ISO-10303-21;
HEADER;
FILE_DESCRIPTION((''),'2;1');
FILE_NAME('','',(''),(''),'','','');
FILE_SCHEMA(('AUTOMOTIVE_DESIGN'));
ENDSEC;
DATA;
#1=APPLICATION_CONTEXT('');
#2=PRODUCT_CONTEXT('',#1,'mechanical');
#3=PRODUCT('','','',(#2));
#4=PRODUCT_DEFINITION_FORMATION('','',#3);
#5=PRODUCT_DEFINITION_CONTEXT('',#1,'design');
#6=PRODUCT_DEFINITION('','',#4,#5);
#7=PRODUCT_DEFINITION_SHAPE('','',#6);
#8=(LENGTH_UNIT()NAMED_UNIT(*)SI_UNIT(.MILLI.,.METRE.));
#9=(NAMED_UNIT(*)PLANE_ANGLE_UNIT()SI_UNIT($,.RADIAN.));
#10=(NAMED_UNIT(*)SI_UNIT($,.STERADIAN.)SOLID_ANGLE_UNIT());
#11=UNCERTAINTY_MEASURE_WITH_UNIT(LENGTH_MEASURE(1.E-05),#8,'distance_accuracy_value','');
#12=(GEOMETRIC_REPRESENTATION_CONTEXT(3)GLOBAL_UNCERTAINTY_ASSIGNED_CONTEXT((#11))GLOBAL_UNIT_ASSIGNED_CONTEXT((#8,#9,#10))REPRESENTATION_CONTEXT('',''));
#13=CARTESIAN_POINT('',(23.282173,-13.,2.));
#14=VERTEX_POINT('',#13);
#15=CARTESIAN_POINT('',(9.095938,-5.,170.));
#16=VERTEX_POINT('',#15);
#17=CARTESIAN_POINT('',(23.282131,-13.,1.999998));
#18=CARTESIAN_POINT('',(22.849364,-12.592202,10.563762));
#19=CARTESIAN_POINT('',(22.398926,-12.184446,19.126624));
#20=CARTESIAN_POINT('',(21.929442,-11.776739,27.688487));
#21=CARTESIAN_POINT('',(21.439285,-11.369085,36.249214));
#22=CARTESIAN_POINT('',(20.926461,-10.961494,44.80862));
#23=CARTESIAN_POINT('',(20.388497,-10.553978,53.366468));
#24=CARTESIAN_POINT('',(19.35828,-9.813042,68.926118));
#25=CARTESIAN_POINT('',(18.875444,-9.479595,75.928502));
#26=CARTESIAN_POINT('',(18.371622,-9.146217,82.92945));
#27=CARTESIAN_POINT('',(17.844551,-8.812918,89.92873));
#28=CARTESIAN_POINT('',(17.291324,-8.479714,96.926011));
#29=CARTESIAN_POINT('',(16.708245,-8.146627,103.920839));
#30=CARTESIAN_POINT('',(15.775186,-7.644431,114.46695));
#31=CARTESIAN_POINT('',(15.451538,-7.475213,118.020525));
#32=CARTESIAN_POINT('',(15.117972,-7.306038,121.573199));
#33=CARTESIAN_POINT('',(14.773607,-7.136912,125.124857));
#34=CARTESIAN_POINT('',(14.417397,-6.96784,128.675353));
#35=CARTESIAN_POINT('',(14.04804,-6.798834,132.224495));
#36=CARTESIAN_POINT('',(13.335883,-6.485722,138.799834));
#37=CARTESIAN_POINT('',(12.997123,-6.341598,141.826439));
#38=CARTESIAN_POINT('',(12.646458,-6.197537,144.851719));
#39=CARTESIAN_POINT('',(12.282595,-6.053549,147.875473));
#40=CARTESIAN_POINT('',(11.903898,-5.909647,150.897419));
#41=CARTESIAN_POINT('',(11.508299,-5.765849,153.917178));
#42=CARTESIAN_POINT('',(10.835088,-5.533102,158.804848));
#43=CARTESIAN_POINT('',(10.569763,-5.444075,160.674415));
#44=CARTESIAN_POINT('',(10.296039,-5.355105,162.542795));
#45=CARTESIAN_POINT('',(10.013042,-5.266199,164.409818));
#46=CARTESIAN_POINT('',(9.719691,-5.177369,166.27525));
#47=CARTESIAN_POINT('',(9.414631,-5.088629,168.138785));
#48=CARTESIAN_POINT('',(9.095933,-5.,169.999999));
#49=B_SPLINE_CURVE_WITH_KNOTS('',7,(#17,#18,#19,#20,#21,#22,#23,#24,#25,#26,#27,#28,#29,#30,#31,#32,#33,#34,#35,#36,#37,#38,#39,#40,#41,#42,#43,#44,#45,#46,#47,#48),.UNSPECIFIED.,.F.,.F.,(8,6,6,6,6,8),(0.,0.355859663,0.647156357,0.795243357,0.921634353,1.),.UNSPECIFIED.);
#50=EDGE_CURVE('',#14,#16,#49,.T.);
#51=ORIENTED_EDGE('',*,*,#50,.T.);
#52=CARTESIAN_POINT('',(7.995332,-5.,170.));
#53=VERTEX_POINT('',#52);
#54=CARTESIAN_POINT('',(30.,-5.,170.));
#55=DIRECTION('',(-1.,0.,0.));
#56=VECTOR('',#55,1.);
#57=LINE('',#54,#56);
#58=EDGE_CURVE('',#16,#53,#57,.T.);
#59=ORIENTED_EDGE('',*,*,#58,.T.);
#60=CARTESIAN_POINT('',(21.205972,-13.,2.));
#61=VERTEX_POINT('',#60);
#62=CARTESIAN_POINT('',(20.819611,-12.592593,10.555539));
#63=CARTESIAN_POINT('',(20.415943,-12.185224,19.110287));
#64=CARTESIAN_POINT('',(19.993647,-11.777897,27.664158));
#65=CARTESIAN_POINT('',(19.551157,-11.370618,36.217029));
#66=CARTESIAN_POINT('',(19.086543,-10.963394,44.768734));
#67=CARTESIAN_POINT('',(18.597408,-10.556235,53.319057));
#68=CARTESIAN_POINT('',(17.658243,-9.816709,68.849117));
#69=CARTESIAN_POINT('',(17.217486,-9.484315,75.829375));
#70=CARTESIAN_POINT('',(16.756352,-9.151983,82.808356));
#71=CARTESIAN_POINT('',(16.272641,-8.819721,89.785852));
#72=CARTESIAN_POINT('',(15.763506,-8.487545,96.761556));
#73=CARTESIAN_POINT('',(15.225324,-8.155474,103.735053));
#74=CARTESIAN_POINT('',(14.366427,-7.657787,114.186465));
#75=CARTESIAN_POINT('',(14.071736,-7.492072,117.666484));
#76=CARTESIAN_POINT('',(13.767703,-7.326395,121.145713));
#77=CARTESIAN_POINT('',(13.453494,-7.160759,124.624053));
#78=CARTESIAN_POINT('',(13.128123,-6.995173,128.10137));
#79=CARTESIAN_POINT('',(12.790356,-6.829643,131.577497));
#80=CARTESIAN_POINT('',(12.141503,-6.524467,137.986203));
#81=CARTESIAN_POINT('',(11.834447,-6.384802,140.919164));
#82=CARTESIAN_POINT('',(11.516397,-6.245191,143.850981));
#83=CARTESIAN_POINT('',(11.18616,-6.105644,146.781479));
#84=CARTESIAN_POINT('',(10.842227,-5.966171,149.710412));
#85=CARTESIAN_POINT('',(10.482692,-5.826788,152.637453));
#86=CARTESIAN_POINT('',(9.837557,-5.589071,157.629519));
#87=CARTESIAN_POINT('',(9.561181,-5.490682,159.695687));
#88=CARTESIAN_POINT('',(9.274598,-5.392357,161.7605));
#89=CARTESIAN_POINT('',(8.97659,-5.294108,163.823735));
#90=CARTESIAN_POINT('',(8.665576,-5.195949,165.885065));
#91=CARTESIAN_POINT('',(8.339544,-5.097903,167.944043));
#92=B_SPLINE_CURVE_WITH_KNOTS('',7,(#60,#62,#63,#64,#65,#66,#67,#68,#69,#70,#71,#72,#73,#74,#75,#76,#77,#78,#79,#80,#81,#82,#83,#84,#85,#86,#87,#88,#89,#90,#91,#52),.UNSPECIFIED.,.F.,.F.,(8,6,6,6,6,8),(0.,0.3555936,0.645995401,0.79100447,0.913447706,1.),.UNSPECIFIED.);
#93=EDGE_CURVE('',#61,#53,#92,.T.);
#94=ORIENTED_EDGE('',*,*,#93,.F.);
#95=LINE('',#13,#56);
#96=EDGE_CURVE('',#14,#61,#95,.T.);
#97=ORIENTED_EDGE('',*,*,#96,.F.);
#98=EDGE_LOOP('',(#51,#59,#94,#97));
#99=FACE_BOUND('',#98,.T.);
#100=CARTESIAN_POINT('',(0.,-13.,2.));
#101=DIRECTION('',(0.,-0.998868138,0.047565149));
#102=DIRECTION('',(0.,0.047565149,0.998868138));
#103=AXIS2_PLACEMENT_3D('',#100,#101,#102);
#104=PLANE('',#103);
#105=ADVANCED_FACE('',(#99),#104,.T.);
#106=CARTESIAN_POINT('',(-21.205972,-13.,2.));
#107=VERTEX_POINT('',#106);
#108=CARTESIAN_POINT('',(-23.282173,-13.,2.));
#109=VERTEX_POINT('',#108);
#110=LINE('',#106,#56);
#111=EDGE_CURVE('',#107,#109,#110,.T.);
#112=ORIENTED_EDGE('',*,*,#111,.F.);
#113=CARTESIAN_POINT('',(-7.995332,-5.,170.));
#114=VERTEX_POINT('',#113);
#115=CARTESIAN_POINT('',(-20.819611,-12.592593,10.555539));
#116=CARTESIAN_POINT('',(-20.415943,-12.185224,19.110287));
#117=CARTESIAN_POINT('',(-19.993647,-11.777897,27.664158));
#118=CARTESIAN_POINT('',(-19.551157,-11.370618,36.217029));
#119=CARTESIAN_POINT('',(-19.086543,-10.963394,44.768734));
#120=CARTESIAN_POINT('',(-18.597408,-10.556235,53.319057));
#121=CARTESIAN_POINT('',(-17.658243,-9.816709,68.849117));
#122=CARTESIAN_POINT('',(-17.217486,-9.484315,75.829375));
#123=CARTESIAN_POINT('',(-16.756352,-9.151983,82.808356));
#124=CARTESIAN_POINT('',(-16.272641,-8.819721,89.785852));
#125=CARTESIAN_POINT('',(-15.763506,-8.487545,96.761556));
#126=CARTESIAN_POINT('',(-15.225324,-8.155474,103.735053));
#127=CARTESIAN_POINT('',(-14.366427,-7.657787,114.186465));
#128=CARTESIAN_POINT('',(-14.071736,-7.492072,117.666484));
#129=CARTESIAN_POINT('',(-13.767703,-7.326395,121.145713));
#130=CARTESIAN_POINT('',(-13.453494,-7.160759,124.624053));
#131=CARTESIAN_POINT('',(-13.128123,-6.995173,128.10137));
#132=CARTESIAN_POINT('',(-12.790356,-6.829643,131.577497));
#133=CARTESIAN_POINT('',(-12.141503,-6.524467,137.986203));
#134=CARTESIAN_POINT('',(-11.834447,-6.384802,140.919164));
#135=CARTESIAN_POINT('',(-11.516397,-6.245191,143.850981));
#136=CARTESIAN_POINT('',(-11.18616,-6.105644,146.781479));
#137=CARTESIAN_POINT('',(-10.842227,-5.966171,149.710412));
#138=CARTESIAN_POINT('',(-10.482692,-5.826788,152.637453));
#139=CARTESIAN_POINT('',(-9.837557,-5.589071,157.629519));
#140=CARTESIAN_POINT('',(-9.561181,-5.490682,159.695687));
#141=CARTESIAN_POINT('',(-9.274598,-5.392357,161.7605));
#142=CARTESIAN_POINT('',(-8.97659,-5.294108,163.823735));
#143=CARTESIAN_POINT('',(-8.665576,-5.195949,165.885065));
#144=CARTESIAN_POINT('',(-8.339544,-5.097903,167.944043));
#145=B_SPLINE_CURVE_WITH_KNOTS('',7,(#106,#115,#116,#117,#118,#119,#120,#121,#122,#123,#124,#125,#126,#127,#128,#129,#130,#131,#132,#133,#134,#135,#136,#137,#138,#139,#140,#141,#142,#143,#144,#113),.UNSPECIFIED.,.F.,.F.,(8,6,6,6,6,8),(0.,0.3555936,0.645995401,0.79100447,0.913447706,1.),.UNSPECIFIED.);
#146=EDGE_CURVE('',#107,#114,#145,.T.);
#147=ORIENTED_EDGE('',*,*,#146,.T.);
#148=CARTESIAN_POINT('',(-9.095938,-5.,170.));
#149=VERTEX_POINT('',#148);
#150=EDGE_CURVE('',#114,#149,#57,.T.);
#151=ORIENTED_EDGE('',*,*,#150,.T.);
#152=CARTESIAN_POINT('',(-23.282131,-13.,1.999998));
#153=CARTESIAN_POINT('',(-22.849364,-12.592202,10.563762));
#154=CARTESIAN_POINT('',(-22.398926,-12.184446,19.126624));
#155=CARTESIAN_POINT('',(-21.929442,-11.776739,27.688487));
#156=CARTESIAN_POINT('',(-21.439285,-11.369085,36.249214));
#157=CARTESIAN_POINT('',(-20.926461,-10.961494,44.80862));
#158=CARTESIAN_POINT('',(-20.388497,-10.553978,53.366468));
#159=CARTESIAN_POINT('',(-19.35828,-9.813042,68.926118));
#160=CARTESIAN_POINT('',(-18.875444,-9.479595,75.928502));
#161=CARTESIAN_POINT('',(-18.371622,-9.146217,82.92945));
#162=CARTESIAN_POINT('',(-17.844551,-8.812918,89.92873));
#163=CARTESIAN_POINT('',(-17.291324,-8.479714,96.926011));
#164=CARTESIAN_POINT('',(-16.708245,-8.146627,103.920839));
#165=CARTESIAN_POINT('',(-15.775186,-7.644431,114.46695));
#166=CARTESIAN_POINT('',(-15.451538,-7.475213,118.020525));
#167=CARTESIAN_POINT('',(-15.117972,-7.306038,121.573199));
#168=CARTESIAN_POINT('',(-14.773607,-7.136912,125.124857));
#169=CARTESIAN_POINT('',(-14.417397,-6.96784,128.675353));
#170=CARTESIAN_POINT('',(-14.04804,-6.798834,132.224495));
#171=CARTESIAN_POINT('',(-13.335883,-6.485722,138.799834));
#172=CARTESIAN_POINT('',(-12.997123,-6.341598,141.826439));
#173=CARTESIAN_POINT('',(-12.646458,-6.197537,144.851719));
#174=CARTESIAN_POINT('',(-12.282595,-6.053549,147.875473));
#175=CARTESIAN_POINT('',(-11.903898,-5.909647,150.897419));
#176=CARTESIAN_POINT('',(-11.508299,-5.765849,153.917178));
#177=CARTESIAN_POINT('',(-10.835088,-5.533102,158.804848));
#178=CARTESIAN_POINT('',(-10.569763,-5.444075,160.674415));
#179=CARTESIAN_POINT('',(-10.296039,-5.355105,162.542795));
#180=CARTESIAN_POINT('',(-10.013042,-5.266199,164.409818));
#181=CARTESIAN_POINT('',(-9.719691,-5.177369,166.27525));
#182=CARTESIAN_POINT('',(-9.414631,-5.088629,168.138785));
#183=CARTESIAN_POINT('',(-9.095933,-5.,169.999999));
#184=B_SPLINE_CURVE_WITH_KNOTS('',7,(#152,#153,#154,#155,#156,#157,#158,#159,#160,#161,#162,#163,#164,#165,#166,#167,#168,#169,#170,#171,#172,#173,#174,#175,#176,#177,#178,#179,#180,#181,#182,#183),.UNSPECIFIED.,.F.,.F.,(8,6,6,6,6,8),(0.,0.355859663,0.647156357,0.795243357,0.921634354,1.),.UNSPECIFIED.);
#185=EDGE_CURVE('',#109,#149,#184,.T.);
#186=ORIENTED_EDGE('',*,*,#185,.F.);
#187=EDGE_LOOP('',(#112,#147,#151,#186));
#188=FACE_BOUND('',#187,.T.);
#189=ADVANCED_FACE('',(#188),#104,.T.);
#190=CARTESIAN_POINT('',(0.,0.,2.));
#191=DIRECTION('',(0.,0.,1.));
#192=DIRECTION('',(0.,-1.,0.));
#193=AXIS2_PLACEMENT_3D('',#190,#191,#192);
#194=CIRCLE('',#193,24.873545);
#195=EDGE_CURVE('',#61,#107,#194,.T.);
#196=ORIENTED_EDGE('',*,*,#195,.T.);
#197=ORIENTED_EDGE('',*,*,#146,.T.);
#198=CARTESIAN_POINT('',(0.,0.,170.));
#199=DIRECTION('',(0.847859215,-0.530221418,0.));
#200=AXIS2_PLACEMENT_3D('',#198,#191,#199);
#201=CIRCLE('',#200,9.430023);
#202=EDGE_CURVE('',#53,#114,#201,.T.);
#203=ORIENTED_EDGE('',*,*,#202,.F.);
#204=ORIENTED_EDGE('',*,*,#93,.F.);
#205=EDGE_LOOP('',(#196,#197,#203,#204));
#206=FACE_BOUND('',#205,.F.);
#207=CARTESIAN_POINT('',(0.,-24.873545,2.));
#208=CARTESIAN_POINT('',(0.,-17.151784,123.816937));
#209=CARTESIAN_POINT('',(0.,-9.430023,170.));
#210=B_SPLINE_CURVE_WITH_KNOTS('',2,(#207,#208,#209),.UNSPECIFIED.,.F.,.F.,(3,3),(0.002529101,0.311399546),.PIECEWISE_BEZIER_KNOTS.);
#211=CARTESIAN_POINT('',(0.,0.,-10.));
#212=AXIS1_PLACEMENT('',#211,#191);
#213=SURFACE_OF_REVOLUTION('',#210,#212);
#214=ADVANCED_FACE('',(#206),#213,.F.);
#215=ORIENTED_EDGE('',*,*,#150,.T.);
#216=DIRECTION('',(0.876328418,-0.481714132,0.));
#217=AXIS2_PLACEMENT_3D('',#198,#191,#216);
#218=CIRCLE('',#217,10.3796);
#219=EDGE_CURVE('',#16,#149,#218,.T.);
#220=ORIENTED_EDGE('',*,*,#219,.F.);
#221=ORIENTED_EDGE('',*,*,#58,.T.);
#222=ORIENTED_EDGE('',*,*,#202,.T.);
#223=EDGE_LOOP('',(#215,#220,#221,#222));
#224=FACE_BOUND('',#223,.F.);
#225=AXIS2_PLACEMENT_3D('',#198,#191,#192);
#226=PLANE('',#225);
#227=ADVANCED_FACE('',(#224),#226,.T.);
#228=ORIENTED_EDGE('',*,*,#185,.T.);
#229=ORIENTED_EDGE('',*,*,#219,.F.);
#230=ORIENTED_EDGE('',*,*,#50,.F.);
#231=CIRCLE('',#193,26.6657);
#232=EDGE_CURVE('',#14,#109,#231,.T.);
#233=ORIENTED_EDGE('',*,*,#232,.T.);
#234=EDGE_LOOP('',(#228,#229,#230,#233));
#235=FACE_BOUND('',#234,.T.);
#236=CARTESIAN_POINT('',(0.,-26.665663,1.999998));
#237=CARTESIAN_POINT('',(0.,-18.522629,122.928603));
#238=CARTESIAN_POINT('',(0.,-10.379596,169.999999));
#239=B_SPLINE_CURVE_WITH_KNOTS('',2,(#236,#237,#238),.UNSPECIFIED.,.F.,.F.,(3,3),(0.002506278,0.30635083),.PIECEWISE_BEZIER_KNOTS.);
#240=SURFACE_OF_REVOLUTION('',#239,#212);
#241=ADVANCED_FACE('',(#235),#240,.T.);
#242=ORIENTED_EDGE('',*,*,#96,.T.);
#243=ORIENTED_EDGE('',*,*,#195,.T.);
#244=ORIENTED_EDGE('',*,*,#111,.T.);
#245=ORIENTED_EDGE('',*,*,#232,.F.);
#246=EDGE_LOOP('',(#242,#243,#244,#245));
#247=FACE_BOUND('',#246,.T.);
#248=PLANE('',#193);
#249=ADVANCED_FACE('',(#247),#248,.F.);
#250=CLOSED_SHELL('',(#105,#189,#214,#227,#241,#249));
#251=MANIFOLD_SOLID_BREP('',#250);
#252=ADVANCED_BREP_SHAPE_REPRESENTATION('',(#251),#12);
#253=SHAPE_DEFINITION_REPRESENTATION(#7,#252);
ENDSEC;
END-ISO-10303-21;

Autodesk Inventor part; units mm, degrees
ref_plane "YZ Plane" through (0, 0, 0) normal (1, 0, 0) x (0, 1, 0)
ref_plane "XZ Plane" through (0, 0, 0) normal (0, 1, 0) x (-1, 0, 0)
ref_plane "XY Plane" through (0, 0, 0) normal (0, 0, 1) x (1, 0, 0)
sketch "Sketch3" plane through (0, 0, 0) normal (1, 0, 0) x (0, 1, 0)
  line L0 (0, 0) -> (25.9, 0)
  line L1 (25.9, 0) -> (25.9, -5)
  line L2 (25.9, -5) -> (26.8, -5)
  line L3 (26.8, -5) -> (26.8, 0)
  line L4 (0, 2) -> (25, 2)
  line L5 (0, 0) -> (-25.9, 0)
  line L6 (-25.9, 0) -> (-25.9, -5)
  line L7 (-25.9, -5) -> (-26.8, -5)
  line L8 (-26.8, -5) -> (-26.8, 0)
  line L9 (0, 2) -> (-25, 2)
  line L10 (0, 0) -> (0, 170)
  line L11 (0, 0) -> (0, 200)
  line L12 (25, 2) -> (25, 0)
  line L13 (-25, 2) -> (-25, 0)
  line L14 (0, 0) -> (0, 198.2)
  spline S0 degree 2 poles (26.8, 0) (0, 400) (-26.8, 0) knots 0 0 0 1 1 1
  spline S1 degree 2 poles (25, 0) (0, 396.4) (-25, 0) knots 0 0 0 1 1 1
  line L15 (0, 170) -> (10.3796, 170)
  line L16 (0, 2) -> (-5, 2)
  line L17 (0, 172) -> (0, 2)
  line L18 (0, 172) -> (10.0276, 172)
  line L19 (0, 0) -> (-5, 0)
  line L20 (-5, 0) -> (-5, 170)
  line L21 (-5, 170) -> (0, 170)
  line L22 (0, 170) -> (0, 0)
  line L23 (-5, 2) -> (-13, 2)
  line L24 (-13, 2) -> (-5, 170)
  line L25 (25, 2) -> (26.6657, 2)
  line L26 (-25, 2) -> (-26.6657, 2)
  line L27 (0, -46.4) -> (0, 243.4)
  line L28 (0, -104.36) -> (0, 301.36) projected
  point P0 (9.0895, 172)
  point P1 (0, 172)
  point P2 (9.43, 170)
  point P3 (24.8735, 2)
  point P4 (0, 170)
  point P5 (0, 198.2)
  point P6 (9.7439, 172)
  point P7 (0, 172)
  point P8 (0, 170)
  point P9 (10.109, 170)
  point P10 (26.6644, 2)
  point P11 (0, 2)
  point P12 (0, 170)
  point P13 (-14.8824, 2)
  point P14 (24.8735, 2)
  point P15 (9.0895, 172)
  point P16 (9.43, 170)
  point P17 (9.43, 170)
  point P18 (24.8735, 2)
  dimension "d54" = 25.9
  dimension "d55" = 5
  dimension "d56" = 0.9
  dimension "d57" = 2
  dimension "d58" = 25.9
  dimension "d59" = 5
  dimension "d60" = 0.9
  dimension "d61" = 170
  dimension "d62" = 200
  dimension "d63" = 25
  dimension "d64" = 25
  dimension "d65" = 198.2
  dimension "d66" = 25
  dimension "d67" = 2
  dimension "d68" = 170
  dimension "d69" = 5
  dimension "d70" = 8
  dimension "d71" = 170
  dimension "d72" = 87.274
revolve "Revolution5" add sketch "Sketch3" angle 360 mid plane about axis through (0, 0, -10) along (0, 0, 1) contours L4 S1 L15 S0 L25
extrude "Extrusion5" cut sketch "Sketch3" along normal mid plane 60 contours L21 L24 L9 S1 L11 | L26 S0 L11 S1 L9
properties part number "nose-toppart1"
